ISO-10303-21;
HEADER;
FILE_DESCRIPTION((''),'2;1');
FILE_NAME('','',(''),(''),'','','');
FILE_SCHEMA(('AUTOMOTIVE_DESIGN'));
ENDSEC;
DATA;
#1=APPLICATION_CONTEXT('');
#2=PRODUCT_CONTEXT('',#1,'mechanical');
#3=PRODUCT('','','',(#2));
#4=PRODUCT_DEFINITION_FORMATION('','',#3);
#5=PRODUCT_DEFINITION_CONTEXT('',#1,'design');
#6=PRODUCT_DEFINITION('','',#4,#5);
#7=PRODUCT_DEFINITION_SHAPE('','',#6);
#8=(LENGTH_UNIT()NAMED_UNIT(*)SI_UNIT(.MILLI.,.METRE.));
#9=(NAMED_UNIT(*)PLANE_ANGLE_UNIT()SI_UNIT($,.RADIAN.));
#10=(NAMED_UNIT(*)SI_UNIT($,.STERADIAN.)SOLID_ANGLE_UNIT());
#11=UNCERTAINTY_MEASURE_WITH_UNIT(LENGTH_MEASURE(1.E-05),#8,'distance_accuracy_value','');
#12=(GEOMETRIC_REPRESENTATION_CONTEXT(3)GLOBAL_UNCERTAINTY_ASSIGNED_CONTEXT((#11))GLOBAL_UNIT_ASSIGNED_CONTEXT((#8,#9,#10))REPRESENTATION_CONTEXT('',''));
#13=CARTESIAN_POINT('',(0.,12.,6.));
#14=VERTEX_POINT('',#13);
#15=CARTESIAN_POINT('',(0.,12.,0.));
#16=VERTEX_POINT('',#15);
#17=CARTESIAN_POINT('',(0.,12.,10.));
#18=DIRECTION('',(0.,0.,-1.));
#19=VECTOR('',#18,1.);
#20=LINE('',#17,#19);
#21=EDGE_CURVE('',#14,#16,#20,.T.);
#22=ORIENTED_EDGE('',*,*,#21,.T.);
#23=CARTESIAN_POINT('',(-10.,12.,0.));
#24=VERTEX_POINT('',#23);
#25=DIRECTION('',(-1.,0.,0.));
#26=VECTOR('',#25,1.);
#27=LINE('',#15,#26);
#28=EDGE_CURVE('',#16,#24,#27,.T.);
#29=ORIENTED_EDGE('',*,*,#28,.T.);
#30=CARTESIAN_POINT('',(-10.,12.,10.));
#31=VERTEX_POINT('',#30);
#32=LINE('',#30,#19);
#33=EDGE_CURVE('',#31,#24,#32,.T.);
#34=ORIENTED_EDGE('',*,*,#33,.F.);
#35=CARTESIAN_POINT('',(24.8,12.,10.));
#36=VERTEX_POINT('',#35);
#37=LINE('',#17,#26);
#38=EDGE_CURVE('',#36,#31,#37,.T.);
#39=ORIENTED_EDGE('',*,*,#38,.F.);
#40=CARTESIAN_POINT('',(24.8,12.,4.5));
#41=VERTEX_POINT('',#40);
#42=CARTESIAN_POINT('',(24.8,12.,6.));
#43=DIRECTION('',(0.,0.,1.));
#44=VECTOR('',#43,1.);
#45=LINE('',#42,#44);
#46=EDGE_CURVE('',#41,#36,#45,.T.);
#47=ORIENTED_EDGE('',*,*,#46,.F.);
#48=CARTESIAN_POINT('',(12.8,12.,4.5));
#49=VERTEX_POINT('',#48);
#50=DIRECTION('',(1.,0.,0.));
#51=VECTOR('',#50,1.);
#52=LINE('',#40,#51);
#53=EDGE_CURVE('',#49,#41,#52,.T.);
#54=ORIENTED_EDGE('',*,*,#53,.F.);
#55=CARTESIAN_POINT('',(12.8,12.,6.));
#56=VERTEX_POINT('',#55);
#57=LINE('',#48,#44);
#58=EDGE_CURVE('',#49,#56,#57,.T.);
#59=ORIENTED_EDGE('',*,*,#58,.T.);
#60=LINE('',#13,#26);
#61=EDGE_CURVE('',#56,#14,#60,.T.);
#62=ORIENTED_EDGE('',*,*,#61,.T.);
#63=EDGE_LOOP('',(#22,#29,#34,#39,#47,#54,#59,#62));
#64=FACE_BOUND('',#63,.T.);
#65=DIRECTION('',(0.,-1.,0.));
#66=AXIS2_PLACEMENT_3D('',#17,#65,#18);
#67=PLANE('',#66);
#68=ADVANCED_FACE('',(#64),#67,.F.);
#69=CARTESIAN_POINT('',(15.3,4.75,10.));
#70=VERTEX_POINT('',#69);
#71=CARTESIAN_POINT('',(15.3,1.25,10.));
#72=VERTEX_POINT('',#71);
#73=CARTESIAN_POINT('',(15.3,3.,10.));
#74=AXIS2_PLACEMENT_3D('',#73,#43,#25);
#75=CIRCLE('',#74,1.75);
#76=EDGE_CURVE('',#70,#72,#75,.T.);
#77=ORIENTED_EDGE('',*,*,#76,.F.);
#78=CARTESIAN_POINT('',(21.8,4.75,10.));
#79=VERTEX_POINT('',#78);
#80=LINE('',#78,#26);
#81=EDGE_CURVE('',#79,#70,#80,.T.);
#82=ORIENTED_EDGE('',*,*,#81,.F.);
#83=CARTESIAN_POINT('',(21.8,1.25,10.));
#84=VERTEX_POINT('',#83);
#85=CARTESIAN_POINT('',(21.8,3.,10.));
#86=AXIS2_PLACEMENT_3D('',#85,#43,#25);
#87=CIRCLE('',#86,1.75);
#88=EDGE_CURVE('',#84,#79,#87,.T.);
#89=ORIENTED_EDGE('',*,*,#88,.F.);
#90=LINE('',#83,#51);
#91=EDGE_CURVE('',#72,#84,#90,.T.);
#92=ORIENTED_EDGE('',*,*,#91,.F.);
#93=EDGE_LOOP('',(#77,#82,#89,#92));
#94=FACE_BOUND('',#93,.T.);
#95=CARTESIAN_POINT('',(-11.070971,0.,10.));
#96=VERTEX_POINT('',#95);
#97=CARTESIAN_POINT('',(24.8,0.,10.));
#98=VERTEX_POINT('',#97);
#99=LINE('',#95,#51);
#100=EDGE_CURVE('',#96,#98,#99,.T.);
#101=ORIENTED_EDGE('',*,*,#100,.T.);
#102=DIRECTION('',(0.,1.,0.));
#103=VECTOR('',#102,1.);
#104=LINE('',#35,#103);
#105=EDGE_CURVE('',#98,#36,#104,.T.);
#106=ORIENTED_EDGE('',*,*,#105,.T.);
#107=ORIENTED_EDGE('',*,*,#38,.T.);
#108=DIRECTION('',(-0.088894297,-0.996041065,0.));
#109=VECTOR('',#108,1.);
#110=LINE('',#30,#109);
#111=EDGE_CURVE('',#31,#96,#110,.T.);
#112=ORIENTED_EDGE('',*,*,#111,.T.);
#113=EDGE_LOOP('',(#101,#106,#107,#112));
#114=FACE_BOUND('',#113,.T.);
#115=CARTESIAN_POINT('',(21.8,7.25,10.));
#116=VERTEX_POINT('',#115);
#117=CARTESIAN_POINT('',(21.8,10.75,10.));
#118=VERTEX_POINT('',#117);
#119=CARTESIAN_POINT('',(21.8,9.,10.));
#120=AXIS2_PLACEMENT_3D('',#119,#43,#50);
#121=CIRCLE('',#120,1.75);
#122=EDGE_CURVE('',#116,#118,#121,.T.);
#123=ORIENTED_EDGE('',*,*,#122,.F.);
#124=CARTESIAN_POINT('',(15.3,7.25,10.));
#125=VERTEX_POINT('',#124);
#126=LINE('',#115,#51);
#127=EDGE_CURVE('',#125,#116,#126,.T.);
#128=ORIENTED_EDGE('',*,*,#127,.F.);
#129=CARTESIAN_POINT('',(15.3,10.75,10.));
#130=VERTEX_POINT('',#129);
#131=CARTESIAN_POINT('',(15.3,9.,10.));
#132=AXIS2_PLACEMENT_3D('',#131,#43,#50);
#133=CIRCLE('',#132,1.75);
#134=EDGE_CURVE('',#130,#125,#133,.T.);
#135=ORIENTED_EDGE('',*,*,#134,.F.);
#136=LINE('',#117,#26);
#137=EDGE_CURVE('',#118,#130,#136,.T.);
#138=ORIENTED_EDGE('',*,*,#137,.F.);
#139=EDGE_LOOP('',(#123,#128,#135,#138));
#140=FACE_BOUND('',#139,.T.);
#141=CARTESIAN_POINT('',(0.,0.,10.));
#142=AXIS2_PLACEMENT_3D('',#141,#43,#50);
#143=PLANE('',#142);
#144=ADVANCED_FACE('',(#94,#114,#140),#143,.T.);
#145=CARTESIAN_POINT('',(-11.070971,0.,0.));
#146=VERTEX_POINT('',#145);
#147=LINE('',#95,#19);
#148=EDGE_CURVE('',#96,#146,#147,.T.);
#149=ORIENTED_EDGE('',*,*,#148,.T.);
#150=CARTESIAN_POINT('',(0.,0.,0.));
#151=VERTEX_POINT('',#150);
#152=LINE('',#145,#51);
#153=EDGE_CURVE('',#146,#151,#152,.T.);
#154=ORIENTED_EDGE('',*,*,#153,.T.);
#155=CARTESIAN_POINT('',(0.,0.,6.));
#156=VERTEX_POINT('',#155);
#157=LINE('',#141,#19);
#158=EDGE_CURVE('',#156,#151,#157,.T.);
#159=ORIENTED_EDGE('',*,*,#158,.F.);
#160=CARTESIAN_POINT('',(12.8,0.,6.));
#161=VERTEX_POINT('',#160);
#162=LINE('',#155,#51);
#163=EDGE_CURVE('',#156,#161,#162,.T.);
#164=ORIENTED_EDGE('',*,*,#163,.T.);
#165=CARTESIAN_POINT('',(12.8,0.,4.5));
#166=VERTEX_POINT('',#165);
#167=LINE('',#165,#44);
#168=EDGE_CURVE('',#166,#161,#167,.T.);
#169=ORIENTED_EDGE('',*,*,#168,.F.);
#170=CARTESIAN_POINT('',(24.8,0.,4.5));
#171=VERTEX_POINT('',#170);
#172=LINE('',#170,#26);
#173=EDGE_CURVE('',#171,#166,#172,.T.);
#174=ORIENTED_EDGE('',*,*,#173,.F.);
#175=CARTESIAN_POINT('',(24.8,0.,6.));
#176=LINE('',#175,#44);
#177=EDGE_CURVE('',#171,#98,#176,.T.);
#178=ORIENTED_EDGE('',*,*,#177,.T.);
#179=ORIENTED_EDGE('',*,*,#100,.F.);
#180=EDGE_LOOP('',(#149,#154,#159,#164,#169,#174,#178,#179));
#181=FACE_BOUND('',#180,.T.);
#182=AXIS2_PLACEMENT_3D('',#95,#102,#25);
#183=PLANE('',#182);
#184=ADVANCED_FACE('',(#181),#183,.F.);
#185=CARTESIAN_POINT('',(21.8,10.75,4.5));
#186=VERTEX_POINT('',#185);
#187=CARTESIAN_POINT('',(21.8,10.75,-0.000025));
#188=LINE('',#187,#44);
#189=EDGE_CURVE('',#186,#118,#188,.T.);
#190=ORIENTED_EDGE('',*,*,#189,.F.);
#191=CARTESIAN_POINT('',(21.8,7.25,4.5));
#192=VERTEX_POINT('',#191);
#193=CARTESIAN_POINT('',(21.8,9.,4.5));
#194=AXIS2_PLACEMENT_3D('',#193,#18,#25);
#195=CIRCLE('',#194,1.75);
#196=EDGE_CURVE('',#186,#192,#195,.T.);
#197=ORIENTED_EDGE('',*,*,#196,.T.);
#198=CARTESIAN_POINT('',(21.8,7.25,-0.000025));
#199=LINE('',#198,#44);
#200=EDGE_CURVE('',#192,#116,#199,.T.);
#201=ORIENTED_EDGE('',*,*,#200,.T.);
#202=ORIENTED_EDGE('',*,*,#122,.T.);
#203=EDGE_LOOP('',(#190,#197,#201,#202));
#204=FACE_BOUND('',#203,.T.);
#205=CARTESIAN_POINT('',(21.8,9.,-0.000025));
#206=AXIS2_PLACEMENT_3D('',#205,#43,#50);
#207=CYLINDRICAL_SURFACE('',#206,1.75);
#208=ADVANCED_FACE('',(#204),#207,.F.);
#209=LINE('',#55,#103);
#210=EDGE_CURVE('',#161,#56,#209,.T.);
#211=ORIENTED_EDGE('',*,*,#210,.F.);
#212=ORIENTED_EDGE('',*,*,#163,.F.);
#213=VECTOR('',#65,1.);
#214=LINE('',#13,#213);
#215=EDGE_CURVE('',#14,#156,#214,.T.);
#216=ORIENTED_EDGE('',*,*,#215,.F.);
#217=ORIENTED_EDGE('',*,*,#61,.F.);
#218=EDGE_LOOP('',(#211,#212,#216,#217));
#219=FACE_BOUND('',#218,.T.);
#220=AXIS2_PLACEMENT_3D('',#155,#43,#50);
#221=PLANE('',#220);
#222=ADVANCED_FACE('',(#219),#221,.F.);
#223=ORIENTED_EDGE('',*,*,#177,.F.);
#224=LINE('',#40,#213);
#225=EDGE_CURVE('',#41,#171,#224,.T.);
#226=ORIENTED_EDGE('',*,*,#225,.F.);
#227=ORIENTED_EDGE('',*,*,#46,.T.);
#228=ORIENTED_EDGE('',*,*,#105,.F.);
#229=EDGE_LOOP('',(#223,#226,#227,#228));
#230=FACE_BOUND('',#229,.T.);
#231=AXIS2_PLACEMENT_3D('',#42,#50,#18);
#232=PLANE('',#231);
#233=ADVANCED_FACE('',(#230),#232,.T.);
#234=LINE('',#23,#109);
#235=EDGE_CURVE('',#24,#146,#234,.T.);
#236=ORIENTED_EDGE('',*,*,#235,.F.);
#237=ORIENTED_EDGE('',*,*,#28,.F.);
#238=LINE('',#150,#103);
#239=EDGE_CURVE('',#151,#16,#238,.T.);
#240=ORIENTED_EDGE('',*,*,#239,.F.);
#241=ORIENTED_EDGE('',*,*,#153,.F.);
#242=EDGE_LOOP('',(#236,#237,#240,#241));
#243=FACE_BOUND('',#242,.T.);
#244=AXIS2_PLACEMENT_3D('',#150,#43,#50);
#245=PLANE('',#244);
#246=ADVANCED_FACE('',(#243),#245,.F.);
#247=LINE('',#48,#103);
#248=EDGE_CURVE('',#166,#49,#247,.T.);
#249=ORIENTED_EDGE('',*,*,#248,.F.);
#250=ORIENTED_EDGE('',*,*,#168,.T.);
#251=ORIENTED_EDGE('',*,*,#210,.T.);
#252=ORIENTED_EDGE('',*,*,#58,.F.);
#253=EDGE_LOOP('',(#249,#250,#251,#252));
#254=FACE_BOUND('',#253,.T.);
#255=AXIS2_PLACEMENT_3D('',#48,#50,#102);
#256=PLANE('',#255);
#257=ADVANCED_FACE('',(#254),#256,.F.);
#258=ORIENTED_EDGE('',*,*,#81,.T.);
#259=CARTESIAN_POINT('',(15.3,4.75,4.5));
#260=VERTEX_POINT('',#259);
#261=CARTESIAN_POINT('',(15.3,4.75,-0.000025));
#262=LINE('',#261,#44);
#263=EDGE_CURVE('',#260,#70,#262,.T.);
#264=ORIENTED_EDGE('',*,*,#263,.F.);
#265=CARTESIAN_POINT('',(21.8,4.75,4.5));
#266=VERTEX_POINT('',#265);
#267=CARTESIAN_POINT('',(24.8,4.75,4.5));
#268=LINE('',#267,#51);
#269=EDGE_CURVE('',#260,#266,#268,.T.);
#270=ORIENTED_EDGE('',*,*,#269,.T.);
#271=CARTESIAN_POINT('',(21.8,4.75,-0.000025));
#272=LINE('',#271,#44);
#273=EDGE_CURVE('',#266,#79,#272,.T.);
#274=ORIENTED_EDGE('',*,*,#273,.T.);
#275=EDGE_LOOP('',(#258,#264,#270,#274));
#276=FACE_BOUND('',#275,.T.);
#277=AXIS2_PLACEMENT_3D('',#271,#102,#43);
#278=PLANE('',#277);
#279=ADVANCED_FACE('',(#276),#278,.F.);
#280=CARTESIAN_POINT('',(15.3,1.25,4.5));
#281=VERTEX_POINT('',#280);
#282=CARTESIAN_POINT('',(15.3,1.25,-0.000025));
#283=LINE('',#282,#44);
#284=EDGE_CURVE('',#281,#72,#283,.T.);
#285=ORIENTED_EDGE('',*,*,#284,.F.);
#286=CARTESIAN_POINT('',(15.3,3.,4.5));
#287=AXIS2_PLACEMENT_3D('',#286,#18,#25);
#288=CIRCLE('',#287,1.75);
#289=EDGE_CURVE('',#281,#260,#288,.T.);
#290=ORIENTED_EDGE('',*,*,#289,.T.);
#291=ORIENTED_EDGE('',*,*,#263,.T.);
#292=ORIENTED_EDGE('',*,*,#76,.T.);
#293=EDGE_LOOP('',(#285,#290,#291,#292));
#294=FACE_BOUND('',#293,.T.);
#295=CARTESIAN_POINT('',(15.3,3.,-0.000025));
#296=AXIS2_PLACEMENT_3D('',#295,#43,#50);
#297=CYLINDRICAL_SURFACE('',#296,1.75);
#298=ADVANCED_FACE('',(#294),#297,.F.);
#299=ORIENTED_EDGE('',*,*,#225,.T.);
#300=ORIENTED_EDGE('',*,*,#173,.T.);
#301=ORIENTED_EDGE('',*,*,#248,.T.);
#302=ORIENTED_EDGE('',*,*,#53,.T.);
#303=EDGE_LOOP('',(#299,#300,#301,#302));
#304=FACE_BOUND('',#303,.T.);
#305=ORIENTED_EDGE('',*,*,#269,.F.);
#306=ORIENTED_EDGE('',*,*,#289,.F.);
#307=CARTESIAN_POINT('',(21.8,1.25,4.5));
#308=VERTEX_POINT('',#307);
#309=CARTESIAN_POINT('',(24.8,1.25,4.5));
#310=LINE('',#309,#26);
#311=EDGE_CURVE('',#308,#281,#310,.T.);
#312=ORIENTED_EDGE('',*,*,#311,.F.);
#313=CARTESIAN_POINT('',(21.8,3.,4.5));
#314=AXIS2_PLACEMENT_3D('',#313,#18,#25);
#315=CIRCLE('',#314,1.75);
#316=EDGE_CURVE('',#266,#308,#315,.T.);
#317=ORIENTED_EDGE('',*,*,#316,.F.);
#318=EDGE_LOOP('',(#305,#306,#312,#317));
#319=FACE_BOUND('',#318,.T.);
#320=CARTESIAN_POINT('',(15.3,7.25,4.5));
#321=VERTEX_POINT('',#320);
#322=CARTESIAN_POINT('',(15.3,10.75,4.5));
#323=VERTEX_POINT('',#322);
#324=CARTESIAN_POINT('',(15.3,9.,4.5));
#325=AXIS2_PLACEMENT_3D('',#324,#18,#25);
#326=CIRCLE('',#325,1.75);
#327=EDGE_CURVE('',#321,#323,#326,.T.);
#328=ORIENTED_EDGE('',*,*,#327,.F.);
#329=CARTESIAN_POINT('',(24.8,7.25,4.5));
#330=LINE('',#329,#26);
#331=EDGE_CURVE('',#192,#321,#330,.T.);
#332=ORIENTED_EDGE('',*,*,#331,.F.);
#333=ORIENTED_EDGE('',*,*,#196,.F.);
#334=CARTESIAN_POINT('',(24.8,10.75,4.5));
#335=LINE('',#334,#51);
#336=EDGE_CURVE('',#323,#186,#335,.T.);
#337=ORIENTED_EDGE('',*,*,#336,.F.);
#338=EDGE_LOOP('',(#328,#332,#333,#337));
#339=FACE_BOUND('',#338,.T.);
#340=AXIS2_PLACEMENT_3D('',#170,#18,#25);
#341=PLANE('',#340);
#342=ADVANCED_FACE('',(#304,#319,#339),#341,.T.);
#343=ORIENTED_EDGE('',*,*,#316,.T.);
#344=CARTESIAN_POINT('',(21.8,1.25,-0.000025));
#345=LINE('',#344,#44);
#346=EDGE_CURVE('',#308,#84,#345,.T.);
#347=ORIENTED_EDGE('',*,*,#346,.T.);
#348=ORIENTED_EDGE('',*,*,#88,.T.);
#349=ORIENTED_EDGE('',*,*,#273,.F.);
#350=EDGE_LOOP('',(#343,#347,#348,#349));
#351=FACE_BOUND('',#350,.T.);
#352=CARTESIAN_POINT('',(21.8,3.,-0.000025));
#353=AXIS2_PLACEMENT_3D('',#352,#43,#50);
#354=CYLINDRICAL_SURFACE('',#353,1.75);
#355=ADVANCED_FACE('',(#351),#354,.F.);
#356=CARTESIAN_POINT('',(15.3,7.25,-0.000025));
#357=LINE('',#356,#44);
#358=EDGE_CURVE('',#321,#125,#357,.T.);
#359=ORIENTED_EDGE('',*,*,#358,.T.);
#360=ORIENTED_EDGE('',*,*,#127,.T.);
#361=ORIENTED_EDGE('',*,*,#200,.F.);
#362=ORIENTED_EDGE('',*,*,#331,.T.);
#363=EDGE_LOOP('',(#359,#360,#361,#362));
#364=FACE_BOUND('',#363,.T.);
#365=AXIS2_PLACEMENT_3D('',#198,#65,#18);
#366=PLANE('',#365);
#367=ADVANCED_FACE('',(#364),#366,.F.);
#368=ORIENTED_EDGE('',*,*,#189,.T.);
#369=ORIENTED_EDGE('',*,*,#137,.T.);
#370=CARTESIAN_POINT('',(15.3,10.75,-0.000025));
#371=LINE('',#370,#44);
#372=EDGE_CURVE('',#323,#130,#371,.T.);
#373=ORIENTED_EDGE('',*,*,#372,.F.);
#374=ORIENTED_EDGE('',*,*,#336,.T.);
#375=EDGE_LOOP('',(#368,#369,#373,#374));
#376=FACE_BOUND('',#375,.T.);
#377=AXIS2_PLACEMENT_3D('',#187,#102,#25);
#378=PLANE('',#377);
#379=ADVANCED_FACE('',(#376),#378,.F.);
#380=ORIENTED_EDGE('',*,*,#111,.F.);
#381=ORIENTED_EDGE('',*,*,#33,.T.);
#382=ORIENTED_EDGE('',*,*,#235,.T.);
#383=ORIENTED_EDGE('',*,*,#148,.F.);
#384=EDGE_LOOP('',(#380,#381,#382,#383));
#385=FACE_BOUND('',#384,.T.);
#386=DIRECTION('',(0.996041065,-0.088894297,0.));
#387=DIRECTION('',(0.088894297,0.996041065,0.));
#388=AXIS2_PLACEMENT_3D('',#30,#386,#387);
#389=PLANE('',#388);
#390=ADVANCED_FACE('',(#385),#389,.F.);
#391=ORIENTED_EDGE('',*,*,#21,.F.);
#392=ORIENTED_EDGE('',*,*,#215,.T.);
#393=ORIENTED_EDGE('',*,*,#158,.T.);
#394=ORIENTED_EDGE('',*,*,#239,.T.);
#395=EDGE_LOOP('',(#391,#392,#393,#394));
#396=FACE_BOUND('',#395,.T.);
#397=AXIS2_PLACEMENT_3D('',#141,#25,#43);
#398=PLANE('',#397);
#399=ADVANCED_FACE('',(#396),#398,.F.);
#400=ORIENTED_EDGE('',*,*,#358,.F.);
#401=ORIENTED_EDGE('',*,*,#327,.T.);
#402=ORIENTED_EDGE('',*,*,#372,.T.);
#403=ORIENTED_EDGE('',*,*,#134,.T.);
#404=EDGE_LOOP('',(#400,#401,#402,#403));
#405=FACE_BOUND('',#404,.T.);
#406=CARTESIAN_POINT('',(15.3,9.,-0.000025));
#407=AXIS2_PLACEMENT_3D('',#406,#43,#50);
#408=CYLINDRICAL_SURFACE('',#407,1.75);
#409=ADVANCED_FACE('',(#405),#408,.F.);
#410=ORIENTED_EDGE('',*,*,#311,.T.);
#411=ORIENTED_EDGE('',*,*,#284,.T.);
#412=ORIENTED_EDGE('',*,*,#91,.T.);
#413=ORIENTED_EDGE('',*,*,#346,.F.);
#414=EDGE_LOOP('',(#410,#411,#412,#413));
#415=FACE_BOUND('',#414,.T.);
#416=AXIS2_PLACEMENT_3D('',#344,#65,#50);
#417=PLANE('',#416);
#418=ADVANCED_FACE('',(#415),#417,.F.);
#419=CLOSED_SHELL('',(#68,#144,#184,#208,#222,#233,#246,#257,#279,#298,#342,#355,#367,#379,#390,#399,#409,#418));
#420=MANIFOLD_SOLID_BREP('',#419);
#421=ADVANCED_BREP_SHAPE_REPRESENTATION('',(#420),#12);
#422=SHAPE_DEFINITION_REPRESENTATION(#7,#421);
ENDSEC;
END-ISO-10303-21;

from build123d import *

# Parameters (mm, degrees)
EXTRUDE_1_DEPTH     = 10
SKETCH_2_W          = 24.8
SKETCH_2_H          = 12
EXTRUDE_2_DEPTH     = 4
SKETCH_3_W          = 12
SKETCH_3_H          = 12
EXTRUDE_3_DEPTH     = 1.5
CUT_EXTRUDE_1_DEPTH = 30.309384163


with BuildPart() as part:
    # 草图1 → 凸台-拉伸1 (new body)
    with BuildSketch(Plane.XY):
        Polygon((0, 0), (0, 12), (-10, 12), (-11.070971468, 0), align=None)
    extrude(amount=EXTRUDE_1_DEPTH)

    # 草图2 → 凸台-拉伸2 (add)
    with BuildSketch(Plane.XY.offset(10)):
        with Locations((12.4, 6)):
            Rectangle(SKETCH_2_W, SKETCH_2_H)
    extrude(amount=-EXTRUDE_2_DEPTH)

    # 草图3 → 凸台-拉伸3 (add)
    with BuildSketch(Plane(origin=(0, 0, 6), x_dir=(-1, 0, 0), z_dir=(0, 0, -1))):
        with Locations((-18.8, 6)):
            Rectangle(SKETCH_3_W, SKETCH_3_H)
    extrude(amount=EXTRUDE_3_DEPTH)

    # 草图5 → 切除-拉伸1 (cut, through all)
    with BuildSketch(Plane.XY.offset(10)):
        with BuildLine():
            Line((21.8, 7.25), (15.3, 7.25))
            ThreePointArc((15.3, 7.25), (13.55, 9), (15.3, 10.75))
            Line((15.3, 10.75), (21.8, 10.75))
            ThreePointArc((21.8, 10.75), (23.55, 9), (21.8, 7.25))
        make_face()
        with BuildLine():
            Line((21.8, 4.75), (15.3, 4.75))
            ThreePointArc((15.3, 4.75), (13.55, 3), (15.3, 1.25))
            Line((15.3, 1.25), (21.8, 1.25))
            ThreePointArc((21.8, 1.25), (23.55, 3), (21.8, 4.75))
        make_face()
    extrude(amount=-CUT_EXTRUDE_1_DEPTH, mode=Mode.SUBTRACT)


solid = part.part
